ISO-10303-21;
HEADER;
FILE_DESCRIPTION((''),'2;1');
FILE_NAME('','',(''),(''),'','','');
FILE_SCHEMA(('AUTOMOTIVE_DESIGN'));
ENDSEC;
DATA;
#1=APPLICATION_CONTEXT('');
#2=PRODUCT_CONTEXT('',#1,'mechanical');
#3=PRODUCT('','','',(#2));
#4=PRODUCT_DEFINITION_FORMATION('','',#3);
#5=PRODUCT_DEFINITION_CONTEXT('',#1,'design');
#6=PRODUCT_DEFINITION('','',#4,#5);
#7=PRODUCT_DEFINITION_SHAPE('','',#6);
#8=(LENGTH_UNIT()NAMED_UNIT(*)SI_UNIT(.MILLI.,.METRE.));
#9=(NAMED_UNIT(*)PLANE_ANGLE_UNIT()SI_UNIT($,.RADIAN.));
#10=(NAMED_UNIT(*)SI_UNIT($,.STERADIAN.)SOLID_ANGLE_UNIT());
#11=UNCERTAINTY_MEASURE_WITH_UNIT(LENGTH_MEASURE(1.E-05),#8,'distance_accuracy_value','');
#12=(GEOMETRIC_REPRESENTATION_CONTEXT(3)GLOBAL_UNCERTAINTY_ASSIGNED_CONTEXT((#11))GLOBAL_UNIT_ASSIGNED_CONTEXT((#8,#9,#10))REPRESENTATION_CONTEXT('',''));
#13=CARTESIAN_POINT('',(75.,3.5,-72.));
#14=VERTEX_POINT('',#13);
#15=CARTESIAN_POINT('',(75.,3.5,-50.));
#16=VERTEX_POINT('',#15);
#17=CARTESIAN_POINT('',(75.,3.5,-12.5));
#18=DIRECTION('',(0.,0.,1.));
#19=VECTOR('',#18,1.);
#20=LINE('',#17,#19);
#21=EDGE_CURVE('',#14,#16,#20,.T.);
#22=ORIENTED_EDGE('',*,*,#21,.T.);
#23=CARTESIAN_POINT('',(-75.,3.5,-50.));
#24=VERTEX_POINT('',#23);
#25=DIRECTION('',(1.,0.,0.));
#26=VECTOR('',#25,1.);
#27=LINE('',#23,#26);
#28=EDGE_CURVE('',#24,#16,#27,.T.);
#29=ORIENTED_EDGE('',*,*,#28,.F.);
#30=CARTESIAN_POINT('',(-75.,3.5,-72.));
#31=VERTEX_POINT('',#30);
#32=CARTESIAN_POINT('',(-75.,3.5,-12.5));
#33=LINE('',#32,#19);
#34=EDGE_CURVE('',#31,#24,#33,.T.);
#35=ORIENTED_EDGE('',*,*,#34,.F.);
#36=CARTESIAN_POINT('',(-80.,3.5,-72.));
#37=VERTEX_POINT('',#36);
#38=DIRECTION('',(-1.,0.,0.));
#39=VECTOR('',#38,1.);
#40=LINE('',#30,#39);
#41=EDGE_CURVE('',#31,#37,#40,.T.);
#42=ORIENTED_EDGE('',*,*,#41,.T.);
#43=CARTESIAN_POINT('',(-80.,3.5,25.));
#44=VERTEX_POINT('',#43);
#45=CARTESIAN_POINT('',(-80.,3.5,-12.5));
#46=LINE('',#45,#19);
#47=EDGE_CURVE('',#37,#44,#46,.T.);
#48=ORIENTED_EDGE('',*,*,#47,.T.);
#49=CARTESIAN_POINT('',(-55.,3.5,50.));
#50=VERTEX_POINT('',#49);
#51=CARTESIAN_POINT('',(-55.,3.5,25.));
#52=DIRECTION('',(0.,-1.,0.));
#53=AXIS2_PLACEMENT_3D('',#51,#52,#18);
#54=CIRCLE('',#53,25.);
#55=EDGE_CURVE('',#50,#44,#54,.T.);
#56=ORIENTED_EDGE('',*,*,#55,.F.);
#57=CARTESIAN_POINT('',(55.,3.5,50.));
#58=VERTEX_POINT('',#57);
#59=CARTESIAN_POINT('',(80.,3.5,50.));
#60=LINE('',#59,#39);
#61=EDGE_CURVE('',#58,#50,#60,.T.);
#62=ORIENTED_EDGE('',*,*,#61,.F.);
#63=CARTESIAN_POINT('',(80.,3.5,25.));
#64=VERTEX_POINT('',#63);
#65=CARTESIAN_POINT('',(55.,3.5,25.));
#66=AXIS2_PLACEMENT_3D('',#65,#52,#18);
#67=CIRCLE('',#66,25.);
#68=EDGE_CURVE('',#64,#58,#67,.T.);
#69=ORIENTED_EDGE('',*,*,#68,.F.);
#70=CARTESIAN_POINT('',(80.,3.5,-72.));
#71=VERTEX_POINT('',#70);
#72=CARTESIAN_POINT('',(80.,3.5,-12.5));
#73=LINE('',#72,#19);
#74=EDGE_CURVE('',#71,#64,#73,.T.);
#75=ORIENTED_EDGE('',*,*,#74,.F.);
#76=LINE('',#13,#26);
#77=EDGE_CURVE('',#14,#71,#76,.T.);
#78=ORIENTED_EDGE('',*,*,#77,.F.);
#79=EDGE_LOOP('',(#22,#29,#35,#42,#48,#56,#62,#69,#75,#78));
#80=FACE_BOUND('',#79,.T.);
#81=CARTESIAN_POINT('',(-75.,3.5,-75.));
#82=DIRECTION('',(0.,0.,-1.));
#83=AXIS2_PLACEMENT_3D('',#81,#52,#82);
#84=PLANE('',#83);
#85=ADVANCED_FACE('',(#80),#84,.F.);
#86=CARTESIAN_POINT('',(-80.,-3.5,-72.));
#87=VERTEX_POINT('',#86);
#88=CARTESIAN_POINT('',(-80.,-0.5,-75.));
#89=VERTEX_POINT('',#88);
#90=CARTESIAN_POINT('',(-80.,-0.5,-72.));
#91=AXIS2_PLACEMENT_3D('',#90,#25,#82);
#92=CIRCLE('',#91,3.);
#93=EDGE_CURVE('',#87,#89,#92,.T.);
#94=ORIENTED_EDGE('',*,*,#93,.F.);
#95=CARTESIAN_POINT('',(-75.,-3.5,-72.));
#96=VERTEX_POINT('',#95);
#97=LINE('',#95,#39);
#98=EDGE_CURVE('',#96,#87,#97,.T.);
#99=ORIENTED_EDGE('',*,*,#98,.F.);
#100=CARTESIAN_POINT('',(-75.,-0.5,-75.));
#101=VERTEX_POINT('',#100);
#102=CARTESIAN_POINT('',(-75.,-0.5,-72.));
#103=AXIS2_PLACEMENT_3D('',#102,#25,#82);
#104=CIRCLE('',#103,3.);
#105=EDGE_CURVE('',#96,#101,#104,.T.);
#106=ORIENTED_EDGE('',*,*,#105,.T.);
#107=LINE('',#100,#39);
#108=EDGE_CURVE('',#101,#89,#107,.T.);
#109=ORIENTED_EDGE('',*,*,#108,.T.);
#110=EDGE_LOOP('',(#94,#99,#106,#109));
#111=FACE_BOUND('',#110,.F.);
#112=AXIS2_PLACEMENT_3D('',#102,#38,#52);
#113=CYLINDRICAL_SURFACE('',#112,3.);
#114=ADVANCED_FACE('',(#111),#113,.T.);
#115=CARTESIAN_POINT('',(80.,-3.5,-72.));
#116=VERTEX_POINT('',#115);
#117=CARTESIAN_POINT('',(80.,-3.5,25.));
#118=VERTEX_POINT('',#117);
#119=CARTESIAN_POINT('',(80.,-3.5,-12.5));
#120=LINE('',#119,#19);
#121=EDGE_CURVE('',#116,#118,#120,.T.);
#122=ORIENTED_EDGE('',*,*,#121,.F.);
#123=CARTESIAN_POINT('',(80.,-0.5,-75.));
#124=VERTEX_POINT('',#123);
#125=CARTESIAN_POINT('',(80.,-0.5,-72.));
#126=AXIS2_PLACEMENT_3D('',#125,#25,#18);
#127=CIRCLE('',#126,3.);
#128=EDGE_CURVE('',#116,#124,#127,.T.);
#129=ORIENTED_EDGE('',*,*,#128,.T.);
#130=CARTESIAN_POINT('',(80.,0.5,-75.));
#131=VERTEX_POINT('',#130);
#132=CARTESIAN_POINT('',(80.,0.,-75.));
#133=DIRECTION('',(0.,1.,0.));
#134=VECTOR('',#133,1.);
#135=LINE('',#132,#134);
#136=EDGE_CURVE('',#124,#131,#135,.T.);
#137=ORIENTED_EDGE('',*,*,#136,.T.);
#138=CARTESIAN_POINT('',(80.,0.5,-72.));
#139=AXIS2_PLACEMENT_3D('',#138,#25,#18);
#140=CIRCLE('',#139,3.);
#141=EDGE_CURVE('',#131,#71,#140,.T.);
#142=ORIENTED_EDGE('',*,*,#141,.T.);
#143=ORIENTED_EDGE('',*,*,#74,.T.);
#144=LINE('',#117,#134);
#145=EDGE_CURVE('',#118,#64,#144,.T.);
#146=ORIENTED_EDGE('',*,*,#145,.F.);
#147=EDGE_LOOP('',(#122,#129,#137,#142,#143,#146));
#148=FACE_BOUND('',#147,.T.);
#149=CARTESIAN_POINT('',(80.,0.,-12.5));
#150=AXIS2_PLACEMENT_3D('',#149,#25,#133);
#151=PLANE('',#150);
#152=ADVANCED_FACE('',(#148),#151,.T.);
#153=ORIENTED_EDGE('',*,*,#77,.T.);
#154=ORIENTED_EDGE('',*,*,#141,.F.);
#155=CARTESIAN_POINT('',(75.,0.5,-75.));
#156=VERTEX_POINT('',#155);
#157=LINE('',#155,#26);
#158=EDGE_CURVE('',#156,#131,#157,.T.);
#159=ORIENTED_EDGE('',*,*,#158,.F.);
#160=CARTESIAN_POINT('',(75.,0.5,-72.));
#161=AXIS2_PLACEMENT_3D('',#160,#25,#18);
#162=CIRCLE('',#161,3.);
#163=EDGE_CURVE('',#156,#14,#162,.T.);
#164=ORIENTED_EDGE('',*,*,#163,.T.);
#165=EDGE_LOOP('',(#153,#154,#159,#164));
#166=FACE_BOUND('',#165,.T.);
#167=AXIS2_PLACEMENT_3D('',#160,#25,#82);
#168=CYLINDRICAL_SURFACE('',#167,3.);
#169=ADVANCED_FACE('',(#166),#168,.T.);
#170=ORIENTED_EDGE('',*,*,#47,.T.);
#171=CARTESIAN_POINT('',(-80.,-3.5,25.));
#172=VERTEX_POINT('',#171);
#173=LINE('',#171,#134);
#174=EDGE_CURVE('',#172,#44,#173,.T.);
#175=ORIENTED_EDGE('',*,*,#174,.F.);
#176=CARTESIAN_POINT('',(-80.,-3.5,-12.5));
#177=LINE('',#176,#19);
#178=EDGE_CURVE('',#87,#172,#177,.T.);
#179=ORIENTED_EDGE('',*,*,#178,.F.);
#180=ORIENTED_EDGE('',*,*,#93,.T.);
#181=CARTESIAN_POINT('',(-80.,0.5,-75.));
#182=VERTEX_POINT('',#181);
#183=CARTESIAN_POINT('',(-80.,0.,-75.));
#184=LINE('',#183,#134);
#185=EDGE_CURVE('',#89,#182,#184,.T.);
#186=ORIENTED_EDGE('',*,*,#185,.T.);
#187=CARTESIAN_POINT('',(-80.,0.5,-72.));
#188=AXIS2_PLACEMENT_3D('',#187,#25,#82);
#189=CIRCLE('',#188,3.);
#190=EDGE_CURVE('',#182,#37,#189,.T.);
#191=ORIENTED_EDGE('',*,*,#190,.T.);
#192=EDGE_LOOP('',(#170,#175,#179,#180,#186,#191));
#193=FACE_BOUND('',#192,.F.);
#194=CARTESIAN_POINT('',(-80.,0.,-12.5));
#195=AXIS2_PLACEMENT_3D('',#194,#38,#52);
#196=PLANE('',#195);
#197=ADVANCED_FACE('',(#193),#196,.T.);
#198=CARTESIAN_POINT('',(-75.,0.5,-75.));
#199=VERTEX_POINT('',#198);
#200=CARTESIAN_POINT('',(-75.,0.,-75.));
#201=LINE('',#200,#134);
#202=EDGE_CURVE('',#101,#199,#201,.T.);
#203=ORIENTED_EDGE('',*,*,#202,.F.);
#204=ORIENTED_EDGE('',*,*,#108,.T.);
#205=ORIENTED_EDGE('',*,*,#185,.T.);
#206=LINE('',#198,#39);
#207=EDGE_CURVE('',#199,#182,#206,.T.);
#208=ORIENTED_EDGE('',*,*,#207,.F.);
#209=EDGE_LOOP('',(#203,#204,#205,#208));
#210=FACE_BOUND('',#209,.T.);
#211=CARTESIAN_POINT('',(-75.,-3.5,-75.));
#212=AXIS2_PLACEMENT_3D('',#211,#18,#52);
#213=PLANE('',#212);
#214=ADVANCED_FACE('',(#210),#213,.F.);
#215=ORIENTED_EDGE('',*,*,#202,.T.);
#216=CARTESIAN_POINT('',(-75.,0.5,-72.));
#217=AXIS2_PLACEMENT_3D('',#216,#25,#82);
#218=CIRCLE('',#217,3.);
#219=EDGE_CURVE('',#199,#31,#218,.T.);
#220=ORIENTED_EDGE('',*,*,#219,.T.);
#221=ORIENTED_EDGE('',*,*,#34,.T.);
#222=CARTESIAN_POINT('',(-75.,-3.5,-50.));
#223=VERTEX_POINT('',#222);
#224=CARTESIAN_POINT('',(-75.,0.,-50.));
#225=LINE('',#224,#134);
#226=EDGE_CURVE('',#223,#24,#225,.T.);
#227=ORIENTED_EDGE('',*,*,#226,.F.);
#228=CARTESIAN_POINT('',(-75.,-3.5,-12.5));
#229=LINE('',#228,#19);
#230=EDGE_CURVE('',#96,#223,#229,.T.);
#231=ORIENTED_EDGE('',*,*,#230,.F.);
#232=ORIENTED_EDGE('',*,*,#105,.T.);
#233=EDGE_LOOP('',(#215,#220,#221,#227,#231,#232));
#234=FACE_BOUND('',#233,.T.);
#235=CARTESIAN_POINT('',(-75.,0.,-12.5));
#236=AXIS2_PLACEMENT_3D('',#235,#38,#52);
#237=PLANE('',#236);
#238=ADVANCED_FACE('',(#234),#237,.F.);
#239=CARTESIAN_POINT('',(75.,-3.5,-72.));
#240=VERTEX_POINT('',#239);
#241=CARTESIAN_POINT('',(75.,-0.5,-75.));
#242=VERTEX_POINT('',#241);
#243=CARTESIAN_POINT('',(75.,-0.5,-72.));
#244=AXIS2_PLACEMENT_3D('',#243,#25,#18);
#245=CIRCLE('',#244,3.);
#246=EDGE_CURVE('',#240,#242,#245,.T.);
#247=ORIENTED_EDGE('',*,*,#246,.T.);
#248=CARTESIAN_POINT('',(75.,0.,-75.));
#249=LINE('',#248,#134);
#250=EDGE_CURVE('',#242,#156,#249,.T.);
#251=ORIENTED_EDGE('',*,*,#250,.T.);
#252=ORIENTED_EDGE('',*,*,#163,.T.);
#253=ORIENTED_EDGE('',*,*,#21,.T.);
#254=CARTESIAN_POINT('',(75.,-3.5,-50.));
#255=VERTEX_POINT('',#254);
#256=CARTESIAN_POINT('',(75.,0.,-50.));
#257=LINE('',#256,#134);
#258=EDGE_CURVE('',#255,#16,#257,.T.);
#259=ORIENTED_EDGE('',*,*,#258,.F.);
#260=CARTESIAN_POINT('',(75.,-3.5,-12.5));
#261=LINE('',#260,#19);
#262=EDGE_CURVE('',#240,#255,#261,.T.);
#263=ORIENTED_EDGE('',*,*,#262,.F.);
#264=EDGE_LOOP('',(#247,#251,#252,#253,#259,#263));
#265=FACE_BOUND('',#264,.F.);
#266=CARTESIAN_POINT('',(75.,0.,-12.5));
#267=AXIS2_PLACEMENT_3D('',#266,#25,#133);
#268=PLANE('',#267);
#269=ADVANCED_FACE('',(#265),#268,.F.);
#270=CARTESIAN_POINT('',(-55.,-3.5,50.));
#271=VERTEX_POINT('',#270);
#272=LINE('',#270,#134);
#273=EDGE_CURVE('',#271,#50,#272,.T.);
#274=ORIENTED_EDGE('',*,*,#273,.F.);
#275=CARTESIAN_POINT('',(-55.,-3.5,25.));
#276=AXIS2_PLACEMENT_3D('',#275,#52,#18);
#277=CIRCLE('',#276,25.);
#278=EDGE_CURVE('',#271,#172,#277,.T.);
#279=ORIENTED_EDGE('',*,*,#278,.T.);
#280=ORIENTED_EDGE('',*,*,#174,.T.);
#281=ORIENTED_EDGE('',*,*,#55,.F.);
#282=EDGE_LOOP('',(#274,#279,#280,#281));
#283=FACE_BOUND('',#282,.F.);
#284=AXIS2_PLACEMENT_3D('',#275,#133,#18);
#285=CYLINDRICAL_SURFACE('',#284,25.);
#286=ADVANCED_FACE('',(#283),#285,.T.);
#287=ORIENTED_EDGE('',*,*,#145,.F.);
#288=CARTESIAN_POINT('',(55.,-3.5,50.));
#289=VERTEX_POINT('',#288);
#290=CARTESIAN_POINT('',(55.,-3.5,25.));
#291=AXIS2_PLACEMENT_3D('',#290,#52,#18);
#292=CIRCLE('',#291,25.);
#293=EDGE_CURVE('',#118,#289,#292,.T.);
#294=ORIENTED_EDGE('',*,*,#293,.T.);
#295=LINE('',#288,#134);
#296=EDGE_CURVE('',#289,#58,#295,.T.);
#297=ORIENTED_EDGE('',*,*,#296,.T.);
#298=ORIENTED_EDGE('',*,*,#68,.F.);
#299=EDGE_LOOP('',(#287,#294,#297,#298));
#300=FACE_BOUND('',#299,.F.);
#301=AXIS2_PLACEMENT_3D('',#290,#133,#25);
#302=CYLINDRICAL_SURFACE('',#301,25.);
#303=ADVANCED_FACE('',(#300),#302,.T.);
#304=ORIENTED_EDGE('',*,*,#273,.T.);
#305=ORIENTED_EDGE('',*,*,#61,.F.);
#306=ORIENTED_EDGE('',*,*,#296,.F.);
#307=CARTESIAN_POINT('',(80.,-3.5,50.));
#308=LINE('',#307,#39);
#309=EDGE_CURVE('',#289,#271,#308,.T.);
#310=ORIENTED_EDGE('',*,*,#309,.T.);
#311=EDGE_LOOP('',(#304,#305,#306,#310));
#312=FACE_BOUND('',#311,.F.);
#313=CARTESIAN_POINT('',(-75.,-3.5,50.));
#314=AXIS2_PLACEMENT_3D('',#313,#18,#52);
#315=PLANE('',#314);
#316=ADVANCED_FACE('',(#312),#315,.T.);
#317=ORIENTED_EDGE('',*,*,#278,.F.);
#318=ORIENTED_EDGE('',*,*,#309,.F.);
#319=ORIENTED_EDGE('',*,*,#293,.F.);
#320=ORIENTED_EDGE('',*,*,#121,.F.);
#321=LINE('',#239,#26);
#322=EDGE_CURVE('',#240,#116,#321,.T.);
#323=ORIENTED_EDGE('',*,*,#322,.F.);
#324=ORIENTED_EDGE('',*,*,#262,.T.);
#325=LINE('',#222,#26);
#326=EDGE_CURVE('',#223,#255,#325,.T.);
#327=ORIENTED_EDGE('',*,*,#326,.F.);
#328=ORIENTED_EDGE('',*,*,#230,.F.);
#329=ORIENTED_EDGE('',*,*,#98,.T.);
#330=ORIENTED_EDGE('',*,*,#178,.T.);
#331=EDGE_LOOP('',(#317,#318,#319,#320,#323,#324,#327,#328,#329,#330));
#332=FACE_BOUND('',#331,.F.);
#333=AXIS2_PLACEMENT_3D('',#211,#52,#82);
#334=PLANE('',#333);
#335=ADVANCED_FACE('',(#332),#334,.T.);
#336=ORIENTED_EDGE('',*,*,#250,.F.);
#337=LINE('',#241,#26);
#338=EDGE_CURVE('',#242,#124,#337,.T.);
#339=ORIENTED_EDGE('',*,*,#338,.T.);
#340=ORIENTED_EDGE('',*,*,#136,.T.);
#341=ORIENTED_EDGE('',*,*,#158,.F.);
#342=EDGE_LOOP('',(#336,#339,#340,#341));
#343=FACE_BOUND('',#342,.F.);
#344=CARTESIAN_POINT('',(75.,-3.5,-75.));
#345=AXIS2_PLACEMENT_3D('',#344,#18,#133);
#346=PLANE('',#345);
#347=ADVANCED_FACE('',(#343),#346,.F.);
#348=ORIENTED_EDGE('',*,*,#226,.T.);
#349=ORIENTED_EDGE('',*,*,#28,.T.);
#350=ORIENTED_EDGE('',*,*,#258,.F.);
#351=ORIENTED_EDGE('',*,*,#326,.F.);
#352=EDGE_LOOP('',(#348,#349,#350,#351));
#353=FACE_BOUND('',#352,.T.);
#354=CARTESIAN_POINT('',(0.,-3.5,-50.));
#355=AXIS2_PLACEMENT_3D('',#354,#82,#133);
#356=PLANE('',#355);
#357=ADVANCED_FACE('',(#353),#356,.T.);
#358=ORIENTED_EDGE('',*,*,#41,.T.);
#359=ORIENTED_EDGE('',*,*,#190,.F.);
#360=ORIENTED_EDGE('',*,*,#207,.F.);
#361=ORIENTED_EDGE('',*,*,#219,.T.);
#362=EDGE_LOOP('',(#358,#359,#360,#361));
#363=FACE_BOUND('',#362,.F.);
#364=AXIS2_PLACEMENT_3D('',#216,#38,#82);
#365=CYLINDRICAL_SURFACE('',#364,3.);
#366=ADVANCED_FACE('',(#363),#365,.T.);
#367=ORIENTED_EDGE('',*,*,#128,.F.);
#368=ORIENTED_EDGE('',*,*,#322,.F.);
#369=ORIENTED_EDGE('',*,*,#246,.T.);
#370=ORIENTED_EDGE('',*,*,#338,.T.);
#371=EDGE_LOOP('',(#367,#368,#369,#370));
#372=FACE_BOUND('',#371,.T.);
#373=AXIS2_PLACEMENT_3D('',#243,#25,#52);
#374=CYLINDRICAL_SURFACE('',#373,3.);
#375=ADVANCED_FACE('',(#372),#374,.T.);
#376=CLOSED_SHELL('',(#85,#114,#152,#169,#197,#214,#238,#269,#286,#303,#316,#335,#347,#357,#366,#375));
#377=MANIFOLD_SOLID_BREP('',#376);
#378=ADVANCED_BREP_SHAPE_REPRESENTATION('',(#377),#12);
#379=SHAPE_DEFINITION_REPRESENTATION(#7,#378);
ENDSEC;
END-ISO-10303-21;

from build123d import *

# Parameters (mm, degrees)
F0_W          = 7
F0_H          = 100
F1_DEPTH      = 75
F1_DEPTH_BACK = 75
F2_W          = 7
F2_H          = 125
F3_DEPTH      = 5
F5_R          = 25
F6_R          = 3


with BuildPart() as f1:
    # F0 (on Right) → F1 (new body, two sides)
    with BuildSketch(Plane.YZ) as f1_sk:
        Rectangle(F0_W, F0_H)
    extrude(amount=F1_DEPTH)
    extrude(f1_sk.sketch, amount=-F1_DEPTH_BACK)

    # F2 (on face) → F3 (join)
    with BuildSketch(Plane.YZ.offset(75)):
        with Locations((0, -12.5)):
            Rectangle(F2_W, F2_H)
    extrude(amount=F3_DEPTH)

    # F4: F1 across plane


with BuildPart() as f1_1:
    add(f1.part)
    add(f1.part.mirror(Plane.YZ))

    # F5
    f5_edges = [f1_1.edges().sort_by_distance(p)[0] for p in [
        (-80, 0, 50),
        (80, 0, 50),
    ]]
    fillet(f5_edges, radius=F5_R)

    # F6
    f6_edges = [f1_1.edges().sort_by_distance(p)[0] for p in [
        (-77.5, -3.5, -75),
        (77.5, -3.5, -75),
        (-77.5, 3.5, -75),
        (77.5, 3.5, -75),
    ]]
    fillet(f6_edges, radius=F6_R)


solid = f1_1.part
